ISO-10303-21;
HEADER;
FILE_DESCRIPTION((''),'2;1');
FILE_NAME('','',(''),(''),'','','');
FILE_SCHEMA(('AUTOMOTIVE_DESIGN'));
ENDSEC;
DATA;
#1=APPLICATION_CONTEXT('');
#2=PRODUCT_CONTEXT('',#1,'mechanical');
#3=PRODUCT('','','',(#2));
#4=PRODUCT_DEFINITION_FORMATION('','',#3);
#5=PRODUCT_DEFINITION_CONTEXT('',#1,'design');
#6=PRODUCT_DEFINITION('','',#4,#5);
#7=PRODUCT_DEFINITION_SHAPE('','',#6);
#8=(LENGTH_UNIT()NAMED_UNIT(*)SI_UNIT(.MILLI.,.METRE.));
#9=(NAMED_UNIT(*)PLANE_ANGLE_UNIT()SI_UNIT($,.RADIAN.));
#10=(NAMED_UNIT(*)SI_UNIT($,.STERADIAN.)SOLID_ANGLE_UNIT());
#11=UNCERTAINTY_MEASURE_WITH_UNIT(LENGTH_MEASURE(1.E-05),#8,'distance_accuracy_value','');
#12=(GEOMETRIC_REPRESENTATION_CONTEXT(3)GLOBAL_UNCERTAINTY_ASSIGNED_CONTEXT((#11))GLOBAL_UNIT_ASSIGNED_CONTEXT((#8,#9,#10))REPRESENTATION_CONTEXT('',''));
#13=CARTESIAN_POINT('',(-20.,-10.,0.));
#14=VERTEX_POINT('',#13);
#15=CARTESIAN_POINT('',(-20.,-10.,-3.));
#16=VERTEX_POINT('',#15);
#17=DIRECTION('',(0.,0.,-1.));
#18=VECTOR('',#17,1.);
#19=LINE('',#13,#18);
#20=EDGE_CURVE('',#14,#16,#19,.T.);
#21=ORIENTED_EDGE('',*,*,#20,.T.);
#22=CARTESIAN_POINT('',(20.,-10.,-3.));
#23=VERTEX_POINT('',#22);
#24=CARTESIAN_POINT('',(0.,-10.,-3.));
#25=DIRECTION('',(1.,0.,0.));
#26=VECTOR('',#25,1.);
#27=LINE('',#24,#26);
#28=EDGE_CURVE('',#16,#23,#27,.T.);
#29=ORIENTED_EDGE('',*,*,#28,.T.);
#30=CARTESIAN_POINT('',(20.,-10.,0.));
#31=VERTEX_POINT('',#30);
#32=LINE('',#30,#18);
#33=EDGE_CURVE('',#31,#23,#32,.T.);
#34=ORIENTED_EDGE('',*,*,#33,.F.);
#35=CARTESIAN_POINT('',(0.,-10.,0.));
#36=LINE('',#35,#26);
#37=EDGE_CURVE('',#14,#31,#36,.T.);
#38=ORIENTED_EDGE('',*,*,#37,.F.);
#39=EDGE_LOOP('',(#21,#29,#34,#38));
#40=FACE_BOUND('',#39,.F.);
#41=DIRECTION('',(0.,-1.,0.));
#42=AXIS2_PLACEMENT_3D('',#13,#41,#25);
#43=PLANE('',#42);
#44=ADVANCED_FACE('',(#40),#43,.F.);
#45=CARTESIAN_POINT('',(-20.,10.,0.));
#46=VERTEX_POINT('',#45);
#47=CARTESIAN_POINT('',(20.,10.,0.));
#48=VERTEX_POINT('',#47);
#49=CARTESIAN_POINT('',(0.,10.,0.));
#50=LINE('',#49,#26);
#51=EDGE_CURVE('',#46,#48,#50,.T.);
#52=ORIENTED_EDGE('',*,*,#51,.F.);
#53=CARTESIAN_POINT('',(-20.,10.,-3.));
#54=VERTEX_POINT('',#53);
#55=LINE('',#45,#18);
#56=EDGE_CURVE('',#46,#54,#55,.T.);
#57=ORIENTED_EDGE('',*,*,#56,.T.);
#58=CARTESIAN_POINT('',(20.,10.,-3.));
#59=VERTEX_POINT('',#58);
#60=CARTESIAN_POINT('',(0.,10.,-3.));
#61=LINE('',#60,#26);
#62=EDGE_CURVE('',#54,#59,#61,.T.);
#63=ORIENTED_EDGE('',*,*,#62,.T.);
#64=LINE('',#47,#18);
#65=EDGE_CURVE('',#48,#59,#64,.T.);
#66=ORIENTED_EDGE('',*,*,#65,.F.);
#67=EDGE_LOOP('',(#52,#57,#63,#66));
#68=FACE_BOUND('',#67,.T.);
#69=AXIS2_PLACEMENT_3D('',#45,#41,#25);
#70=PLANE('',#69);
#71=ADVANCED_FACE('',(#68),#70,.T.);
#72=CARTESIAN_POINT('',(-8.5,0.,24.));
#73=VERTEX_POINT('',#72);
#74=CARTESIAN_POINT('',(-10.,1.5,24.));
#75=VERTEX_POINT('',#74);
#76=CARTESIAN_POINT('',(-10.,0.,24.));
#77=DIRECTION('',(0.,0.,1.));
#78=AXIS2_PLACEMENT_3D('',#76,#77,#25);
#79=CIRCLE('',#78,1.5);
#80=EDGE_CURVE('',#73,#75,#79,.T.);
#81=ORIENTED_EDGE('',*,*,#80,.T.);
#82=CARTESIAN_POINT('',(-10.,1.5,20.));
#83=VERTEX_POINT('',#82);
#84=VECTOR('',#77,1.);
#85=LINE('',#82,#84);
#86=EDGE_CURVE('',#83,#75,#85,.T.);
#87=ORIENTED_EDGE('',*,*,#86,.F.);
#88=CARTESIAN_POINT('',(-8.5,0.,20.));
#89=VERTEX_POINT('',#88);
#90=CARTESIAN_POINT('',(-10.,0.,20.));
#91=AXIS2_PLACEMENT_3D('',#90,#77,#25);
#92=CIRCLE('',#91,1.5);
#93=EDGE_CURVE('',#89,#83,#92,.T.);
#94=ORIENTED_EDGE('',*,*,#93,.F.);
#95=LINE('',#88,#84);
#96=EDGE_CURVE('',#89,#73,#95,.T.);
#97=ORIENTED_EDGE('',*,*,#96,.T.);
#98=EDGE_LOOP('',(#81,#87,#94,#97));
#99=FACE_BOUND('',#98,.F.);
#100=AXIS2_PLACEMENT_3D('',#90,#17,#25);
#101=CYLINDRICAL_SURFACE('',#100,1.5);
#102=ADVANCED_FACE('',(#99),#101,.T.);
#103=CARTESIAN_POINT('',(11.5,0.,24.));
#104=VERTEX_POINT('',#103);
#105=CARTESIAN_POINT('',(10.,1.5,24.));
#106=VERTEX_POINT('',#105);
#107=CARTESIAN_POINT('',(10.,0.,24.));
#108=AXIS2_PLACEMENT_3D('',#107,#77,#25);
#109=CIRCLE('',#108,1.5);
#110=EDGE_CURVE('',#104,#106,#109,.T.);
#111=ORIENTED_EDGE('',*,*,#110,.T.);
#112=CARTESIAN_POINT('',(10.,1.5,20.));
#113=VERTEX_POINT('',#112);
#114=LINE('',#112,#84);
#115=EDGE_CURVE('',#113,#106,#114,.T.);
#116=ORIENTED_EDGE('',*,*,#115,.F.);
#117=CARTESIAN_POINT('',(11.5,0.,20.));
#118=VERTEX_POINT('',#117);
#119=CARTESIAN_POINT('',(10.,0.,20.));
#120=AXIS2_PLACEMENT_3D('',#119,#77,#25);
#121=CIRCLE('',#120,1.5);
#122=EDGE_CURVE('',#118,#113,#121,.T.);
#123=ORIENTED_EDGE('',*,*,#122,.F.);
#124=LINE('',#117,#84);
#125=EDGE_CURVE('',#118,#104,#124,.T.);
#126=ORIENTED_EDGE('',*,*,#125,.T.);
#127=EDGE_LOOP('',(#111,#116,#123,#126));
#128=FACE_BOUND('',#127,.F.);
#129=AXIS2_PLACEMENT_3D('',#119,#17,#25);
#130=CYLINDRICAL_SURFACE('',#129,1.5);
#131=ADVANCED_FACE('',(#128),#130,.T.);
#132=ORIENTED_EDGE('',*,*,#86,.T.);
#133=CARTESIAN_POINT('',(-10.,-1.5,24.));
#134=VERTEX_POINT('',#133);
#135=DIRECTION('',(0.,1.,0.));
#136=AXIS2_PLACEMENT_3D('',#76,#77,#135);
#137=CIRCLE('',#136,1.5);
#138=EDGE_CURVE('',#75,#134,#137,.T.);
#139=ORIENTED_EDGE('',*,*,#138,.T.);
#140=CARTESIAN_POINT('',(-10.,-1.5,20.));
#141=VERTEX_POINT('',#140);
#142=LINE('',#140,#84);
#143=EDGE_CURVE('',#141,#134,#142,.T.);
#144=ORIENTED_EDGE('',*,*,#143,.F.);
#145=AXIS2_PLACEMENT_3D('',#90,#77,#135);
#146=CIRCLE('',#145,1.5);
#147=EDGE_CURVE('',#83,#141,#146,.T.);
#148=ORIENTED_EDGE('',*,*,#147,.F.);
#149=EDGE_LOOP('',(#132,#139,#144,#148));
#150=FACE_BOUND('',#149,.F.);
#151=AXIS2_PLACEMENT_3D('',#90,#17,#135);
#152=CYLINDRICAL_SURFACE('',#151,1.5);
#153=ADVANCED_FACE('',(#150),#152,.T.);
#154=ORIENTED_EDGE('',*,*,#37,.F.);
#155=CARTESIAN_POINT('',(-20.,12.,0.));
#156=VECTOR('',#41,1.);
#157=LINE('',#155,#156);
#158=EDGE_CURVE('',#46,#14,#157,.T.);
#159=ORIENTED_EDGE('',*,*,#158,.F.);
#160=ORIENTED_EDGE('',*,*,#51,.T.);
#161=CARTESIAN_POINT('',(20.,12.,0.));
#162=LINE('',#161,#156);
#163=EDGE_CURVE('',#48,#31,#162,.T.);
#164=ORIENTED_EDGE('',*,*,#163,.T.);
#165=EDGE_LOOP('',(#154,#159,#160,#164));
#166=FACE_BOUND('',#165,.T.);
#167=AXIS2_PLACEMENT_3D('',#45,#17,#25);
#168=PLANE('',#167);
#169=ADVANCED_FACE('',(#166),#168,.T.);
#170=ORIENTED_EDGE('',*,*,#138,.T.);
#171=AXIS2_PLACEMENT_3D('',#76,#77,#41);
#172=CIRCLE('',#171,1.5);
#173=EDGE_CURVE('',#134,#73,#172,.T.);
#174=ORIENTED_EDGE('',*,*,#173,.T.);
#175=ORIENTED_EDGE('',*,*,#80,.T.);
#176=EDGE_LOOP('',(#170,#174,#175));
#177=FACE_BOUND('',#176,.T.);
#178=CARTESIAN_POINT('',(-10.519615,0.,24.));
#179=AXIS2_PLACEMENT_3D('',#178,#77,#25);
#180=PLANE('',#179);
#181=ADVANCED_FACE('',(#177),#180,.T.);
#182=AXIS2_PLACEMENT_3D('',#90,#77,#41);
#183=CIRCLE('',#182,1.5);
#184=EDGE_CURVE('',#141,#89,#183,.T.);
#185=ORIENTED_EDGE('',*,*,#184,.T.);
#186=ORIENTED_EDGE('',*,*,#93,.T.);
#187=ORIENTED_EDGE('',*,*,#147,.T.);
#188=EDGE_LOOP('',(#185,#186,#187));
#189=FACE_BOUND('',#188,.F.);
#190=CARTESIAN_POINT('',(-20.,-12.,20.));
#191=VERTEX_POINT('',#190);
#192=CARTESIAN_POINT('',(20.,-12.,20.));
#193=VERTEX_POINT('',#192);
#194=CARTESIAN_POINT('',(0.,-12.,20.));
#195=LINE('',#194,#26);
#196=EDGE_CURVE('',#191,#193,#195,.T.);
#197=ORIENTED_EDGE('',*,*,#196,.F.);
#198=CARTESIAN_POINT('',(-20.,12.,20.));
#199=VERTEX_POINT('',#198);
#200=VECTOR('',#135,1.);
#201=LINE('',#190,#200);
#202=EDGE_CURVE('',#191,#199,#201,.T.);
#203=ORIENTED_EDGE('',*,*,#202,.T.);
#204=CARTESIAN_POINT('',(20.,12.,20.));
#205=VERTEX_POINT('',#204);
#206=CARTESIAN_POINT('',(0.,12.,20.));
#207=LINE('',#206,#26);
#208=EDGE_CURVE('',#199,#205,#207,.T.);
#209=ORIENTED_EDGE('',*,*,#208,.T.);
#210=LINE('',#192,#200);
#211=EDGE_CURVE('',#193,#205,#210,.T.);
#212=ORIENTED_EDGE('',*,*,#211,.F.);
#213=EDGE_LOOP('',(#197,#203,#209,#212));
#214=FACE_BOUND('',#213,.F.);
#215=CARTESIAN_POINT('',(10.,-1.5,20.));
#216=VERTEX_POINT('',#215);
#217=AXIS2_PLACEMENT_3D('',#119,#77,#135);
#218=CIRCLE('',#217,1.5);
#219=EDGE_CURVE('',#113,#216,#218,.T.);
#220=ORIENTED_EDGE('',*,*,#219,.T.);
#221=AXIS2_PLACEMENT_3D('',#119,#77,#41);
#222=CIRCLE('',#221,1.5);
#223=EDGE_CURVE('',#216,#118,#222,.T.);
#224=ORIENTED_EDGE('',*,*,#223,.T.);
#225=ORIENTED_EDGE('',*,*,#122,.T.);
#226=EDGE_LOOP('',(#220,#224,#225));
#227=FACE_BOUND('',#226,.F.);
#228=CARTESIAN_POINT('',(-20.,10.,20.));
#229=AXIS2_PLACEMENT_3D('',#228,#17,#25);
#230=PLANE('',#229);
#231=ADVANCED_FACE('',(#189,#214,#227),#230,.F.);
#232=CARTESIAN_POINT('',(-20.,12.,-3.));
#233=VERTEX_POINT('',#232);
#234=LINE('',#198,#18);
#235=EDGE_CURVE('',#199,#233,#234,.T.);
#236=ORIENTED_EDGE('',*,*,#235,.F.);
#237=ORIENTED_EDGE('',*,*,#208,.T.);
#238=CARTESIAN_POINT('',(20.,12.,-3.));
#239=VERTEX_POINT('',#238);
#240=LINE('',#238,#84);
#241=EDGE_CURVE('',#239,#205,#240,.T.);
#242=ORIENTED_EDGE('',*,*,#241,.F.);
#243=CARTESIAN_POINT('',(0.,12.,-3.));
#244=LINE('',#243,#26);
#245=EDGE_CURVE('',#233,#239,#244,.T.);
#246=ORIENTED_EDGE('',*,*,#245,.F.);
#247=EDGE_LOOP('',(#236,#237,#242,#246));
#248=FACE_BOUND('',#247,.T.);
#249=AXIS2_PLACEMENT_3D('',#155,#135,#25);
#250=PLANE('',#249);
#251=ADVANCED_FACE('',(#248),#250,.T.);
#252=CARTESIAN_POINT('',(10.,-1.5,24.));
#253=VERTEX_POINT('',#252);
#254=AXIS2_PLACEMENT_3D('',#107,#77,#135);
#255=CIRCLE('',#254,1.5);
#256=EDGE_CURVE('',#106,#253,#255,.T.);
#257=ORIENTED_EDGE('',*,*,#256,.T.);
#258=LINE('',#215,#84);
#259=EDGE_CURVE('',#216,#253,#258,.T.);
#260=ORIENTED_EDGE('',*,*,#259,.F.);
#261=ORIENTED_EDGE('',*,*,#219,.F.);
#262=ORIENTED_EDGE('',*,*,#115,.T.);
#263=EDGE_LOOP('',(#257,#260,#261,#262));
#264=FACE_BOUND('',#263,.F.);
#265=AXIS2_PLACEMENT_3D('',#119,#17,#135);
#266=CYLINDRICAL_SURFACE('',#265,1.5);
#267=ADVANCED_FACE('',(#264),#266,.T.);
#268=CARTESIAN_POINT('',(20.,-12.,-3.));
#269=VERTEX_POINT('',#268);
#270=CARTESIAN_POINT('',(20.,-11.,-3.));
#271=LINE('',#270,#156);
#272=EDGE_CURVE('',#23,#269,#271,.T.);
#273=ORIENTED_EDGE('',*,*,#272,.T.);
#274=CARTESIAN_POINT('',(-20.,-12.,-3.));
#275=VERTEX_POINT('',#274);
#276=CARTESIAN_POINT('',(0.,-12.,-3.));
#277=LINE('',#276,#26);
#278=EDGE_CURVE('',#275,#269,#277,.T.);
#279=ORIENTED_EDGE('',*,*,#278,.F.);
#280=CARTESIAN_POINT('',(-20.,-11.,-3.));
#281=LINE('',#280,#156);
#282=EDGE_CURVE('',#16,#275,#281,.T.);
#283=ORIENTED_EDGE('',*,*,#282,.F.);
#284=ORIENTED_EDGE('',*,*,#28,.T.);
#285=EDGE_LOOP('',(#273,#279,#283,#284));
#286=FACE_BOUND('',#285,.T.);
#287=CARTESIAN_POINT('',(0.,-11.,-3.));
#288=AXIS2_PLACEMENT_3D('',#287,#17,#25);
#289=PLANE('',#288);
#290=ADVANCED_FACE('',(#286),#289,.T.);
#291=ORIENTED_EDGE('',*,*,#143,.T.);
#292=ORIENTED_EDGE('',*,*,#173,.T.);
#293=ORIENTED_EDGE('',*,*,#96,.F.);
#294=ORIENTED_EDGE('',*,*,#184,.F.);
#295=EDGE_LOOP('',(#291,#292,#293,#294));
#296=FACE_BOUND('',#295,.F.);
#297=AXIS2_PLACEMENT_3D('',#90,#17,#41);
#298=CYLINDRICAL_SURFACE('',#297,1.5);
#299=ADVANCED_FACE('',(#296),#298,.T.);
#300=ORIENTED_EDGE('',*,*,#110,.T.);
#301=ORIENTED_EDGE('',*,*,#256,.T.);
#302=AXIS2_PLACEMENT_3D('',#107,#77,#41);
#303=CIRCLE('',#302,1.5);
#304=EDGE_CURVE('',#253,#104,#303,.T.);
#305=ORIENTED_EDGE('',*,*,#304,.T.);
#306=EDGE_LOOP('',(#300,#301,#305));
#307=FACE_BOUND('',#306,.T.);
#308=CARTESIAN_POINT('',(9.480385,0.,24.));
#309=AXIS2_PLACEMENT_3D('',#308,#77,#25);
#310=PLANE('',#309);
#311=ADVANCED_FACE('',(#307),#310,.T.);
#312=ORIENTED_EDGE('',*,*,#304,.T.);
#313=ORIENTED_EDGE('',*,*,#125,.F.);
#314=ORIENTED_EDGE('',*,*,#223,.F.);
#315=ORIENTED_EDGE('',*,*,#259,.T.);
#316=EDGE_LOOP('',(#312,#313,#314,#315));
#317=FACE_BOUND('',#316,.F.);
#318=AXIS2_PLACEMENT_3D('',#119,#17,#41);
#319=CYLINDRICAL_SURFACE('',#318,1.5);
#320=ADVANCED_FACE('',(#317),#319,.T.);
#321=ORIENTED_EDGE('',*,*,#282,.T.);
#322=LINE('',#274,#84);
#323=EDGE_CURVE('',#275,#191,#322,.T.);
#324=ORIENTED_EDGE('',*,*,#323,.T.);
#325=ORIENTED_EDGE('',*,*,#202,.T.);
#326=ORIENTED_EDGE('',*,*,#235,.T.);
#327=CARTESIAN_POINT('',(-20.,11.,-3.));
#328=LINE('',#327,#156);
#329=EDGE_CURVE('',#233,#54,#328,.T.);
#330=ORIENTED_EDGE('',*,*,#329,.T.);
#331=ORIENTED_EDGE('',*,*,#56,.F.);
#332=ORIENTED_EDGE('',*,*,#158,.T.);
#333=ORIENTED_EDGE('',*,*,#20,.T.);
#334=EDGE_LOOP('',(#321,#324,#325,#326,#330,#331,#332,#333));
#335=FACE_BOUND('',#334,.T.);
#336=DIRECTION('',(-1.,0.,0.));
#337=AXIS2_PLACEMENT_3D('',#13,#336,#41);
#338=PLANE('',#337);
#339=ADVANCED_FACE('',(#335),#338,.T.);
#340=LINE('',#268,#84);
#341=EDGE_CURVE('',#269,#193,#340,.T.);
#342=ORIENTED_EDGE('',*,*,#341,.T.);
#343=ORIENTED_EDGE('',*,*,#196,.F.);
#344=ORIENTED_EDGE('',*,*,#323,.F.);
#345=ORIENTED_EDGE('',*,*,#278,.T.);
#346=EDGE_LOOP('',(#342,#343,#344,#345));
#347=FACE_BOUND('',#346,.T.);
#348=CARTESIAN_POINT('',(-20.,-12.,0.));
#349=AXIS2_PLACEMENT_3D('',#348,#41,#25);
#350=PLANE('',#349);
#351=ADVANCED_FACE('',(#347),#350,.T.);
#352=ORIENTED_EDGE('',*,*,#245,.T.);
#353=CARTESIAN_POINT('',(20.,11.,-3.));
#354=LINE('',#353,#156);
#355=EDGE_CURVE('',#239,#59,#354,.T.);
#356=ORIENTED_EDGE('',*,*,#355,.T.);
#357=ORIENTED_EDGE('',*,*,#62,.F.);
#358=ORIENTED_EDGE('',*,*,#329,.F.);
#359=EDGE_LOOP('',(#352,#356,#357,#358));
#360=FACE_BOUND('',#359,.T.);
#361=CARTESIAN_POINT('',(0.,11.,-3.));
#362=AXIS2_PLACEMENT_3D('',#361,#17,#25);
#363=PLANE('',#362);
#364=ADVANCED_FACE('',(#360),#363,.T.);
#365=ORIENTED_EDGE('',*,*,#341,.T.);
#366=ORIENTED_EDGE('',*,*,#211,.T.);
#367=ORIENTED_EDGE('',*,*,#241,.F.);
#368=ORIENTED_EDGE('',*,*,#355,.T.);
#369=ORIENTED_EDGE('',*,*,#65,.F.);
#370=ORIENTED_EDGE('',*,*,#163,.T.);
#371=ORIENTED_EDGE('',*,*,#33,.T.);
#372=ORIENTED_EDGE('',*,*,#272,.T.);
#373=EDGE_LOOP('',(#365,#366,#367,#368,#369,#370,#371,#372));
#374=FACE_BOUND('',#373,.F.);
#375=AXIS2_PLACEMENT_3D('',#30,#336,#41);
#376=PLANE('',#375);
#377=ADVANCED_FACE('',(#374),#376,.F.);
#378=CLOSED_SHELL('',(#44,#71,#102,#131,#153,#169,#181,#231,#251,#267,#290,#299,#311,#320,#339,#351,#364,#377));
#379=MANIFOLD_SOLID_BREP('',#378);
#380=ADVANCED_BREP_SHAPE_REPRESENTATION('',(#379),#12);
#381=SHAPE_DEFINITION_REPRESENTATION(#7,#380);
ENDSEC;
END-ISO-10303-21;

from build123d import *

# Parameters (mm, degrees)
F0_W     = 40
F0_H     = 20
F1_DEPTH = 20
F3_DEPTH = 4
F4_DEPTH = 2
F5_DEPTH = 2
F6_W     = 40
F6_H     = 2
F7_DEPTH = 3


with BuildPart() as f1:
    # F0 (on Top) → F1 (new body)
    with BuildSketch(Plane.XY):
        Rectangle(F0_W, F0_H)
    extrude(amount=F1_DEPTH)

    # F2 (on face) → F3 (join)
    with BuildSketch(Plane.XY.offset(20)):
        with BuildLine():
            Line((-10, -1.5), (-10, 1.5))
            ThreePointArc((-10, 1.5), (-11.5, 0), (-10, -1.5))
        make_face()
        with BuildLine():
            ThreePointArc((-8.5, 0), (-8.9393398282, 1.0606601718), (-10, 1.5))
            Line((-10, 1.5), (-10, -1.5))
            ThreePointArc((-10, -1.5), (-8.9393398282, -1.0606601718), (-8.5, 0))
        make_face()
        with BuildLine():
            Line((10, -1.5), (10, 1.5))
            ThreePointArc((10, 1.5), (8.5, 0), (10, -1.5))
        make_face()
        with BuildLine():
            ThreePointArc((11.5, 0), (11.0606601718, 1.0606601718), (10, 1.5))
            Line((10, 1.5), (10, -1.5))
            ThreePointArc((10, -1.5), (11.0606601718, -1.0606601718), (11.5, 0))
        make_face()
    extrude(amount=F3_DEPTH)

    # F4 (add): a face of the model
    f4_faces = [f1.faces().sort_by_distance(p)[0] for p in [
        (0, -10, 10),
    ]]
    extrude(f4_faces, amount=F4_DEPTH)

    # F5 (add): a face of the model
    f5_faces = [f1.faces().sort_by_distance(p)[0] for p in [
        (0, 10, 10),
    ]]
    extrude(f5_faces, amount=F5_DEPTH)

    # F6 (on face) → F7 (join)
    with BuildSketch(Plane(origin=(0, 0, 0), x_dir=(1, 0, 0), z_dir=(0, 0, -1))):
        with Locations((0, 11)):
            Rectangle(F6_W, F6_H)
        with Locations((0, -11)):
            Rectangle(F6_W, F6_H)
    extrude(amount=F7_DEPTH)


solid = f1.part
